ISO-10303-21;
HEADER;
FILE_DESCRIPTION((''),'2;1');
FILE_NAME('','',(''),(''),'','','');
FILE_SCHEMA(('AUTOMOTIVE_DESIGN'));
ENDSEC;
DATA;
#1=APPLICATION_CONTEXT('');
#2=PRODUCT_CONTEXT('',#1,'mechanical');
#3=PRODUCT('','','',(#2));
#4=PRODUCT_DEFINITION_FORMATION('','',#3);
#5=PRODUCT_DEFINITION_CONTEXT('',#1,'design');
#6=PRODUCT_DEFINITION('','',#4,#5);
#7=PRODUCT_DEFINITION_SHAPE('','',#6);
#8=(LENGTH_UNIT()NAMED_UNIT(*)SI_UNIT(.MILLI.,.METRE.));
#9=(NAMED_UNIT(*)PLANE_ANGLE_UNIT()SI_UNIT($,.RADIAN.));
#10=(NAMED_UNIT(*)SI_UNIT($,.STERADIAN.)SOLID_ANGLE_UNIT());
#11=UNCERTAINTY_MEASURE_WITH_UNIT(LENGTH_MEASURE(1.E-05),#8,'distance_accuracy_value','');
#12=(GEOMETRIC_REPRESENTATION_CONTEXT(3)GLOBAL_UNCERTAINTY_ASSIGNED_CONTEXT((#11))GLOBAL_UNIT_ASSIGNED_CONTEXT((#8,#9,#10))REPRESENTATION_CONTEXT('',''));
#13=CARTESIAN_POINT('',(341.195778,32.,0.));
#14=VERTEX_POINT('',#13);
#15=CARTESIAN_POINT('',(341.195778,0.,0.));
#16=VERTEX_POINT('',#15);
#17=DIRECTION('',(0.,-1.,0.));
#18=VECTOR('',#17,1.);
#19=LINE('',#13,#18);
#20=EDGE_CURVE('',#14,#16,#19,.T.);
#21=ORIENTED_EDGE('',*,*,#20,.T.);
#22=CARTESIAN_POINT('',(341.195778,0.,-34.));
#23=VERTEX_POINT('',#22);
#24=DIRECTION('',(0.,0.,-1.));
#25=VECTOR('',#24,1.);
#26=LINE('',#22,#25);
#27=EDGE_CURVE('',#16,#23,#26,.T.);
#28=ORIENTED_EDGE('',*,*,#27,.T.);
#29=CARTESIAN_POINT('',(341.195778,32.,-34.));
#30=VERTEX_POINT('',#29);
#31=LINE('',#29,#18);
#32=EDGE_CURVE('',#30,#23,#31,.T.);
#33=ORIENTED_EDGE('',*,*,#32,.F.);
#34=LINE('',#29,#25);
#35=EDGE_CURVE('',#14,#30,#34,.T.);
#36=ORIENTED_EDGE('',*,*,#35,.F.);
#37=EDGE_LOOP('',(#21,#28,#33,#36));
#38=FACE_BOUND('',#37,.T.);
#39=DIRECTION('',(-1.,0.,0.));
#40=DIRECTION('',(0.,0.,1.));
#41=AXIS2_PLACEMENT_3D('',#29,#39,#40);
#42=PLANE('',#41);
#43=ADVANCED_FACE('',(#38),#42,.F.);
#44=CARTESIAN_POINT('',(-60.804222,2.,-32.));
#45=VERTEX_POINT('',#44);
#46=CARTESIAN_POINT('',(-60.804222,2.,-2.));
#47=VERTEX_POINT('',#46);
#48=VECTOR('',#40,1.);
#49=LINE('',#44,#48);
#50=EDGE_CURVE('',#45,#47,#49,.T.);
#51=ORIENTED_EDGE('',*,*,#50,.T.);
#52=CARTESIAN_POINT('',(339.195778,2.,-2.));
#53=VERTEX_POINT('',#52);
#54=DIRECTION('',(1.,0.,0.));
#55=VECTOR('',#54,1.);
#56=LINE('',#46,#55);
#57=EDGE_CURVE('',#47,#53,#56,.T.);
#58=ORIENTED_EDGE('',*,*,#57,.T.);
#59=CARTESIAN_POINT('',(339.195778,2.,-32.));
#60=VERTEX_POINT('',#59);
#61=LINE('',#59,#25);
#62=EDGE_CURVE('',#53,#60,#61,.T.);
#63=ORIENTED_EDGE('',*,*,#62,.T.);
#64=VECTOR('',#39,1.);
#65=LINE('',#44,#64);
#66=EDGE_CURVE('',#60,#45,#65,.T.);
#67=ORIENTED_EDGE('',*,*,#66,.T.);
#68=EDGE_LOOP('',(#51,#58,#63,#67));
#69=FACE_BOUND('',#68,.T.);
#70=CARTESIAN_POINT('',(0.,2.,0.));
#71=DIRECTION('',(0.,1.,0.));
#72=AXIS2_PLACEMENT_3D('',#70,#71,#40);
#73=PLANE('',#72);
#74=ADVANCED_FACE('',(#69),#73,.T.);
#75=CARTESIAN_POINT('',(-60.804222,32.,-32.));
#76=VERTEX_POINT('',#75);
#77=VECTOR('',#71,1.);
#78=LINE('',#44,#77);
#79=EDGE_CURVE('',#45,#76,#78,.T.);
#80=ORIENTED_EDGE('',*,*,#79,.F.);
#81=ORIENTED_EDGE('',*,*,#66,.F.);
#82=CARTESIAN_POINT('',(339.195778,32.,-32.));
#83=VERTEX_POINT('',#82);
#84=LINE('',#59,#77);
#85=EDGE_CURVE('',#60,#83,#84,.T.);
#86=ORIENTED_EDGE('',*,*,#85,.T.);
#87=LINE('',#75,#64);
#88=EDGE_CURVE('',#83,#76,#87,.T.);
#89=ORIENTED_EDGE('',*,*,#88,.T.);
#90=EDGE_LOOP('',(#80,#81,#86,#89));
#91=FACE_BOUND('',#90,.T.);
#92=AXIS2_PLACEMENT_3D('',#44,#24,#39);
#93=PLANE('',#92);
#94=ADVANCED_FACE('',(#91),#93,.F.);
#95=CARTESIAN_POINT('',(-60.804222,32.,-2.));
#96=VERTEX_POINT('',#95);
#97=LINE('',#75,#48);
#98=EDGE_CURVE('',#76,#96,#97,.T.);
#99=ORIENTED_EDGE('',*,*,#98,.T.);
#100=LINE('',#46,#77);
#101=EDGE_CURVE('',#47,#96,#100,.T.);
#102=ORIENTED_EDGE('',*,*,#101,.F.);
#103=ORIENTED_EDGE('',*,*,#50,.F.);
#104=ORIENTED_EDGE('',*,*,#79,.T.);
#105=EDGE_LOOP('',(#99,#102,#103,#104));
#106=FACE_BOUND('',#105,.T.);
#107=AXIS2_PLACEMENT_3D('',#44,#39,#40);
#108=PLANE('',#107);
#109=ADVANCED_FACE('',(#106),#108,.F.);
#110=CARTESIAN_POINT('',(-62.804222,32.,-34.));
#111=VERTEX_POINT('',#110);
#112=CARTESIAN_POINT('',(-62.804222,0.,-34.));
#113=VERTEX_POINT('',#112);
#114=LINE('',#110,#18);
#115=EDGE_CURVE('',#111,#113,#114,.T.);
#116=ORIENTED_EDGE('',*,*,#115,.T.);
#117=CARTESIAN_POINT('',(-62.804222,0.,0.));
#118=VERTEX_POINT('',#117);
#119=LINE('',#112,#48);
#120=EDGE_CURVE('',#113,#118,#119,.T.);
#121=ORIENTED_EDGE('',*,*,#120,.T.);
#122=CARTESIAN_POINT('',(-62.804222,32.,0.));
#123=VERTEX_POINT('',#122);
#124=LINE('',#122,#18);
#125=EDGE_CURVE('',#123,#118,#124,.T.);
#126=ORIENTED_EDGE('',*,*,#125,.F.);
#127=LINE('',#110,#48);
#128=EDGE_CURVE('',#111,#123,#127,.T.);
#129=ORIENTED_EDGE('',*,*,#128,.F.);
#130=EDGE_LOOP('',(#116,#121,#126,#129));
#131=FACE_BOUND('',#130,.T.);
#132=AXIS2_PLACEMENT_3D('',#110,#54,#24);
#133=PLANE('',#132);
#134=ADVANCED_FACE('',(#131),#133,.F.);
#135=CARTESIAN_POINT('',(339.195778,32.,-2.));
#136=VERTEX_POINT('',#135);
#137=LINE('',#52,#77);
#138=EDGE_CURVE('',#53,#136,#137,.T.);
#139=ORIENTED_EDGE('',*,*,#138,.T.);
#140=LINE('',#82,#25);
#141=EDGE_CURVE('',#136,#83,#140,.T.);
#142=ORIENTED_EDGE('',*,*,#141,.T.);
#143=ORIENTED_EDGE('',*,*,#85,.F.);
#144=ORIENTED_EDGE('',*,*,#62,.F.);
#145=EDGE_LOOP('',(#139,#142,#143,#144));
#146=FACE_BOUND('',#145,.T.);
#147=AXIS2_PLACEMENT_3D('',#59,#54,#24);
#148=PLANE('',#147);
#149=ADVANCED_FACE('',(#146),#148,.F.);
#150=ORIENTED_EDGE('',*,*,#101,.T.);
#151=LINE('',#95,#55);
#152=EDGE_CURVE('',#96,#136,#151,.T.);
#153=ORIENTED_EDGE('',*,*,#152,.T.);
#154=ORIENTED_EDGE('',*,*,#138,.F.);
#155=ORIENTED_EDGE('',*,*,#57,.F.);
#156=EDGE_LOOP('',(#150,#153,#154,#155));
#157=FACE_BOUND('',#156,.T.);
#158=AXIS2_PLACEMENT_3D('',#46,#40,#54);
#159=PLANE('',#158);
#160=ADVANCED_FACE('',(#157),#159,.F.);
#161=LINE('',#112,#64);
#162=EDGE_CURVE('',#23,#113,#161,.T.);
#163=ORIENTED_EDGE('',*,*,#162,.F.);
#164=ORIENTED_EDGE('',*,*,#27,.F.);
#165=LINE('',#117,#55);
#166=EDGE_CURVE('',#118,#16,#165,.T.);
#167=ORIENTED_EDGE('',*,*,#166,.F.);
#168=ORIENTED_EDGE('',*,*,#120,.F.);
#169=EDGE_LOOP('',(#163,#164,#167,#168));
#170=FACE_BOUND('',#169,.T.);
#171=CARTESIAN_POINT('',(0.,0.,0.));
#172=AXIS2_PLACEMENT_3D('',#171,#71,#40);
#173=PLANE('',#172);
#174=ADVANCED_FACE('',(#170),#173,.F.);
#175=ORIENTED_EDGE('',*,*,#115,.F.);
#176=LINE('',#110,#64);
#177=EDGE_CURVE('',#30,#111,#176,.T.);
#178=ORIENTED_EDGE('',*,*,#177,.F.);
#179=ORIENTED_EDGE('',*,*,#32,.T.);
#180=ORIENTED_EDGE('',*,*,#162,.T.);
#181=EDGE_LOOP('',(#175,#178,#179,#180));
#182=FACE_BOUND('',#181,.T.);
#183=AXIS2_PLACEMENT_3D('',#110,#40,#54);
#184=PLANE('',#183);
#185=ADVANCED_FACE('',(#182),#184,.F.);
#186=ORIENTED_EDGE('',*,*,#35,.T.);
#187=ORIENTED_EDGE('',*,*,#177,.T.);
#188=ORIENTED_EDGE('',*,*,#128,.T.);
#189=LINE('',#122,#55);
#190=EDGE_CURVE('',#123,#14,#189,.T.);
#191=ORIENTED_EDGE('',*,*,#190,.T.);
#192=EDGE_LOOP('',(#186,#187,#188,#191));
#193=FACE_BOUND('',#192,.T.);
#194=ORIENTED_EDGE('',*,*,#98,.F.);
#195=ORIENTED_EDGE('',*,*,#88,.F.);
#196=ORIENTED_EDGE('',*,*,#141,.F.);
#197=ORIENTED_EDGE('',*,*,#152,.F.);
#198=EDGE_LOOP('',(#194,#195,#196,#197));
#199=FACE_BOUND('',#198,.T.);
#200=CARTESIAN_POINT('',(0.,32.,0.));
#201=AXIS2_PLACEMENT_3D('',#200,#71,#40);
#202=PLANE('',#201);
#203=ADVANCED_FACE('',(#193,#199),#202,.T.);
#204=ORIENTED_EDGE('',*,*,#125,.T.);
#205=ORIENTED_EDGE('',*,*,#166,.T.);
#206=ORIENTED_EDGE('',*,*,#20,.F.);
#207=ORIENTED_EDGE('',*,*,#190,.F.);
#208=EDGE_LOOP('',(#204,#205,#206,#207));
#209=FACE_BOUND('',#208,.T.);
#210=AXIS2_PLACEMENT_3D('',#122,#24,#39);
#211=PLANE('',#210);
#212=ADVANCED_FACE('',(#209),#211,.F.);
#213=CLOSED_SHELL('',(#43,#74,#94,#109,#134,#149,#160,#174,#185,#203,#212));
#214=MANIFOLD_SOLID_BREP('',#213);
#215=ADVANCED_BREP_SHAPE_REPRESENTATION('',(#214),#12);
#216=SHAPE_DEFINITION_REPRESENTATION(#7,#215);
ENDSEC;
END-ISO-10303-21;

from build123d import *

# Parameters (mm, degrees)
SKETCH1_W           = 404
SKETCH1_H           = 34
BOSS_EXTRUDE1_DEPTH = 32
SKETCH2_W           = 400
SKETCH2_H           = 30
CUT_EXTRUDE3_DEPTH  = 30


with BuildPart() as part:
    # Sketch1 → Boss-Extrude1 (new body)
    with BuildSketch(Plane(origin=(0, 0, 0), x_dir=(1, 0, 0), z_dir=(0, 1, 0))):
        with Locations((139.195777904, 17)):
            Rectangle(SKETCH1_W, SKETCH1_H)
    extrude(amount=BOSS_EXTRUDE1_DEPTH)

    # Sketch2 → Cut-Extrude3 (cut)
    with BuildSketch(Plane(origin=(0, 32, 0), x_dir=(1, 0, 0), z_dir=(0, 1, 0))):
        with Locations((139.195777904, 17)):
            Rectangle(SKETCH2_W, SKETCH2_H)
    extrude(amount=-CUT_EXTRUDE3_DEPTH, mode=Mode.SUBTRACT)


solid = part.part
